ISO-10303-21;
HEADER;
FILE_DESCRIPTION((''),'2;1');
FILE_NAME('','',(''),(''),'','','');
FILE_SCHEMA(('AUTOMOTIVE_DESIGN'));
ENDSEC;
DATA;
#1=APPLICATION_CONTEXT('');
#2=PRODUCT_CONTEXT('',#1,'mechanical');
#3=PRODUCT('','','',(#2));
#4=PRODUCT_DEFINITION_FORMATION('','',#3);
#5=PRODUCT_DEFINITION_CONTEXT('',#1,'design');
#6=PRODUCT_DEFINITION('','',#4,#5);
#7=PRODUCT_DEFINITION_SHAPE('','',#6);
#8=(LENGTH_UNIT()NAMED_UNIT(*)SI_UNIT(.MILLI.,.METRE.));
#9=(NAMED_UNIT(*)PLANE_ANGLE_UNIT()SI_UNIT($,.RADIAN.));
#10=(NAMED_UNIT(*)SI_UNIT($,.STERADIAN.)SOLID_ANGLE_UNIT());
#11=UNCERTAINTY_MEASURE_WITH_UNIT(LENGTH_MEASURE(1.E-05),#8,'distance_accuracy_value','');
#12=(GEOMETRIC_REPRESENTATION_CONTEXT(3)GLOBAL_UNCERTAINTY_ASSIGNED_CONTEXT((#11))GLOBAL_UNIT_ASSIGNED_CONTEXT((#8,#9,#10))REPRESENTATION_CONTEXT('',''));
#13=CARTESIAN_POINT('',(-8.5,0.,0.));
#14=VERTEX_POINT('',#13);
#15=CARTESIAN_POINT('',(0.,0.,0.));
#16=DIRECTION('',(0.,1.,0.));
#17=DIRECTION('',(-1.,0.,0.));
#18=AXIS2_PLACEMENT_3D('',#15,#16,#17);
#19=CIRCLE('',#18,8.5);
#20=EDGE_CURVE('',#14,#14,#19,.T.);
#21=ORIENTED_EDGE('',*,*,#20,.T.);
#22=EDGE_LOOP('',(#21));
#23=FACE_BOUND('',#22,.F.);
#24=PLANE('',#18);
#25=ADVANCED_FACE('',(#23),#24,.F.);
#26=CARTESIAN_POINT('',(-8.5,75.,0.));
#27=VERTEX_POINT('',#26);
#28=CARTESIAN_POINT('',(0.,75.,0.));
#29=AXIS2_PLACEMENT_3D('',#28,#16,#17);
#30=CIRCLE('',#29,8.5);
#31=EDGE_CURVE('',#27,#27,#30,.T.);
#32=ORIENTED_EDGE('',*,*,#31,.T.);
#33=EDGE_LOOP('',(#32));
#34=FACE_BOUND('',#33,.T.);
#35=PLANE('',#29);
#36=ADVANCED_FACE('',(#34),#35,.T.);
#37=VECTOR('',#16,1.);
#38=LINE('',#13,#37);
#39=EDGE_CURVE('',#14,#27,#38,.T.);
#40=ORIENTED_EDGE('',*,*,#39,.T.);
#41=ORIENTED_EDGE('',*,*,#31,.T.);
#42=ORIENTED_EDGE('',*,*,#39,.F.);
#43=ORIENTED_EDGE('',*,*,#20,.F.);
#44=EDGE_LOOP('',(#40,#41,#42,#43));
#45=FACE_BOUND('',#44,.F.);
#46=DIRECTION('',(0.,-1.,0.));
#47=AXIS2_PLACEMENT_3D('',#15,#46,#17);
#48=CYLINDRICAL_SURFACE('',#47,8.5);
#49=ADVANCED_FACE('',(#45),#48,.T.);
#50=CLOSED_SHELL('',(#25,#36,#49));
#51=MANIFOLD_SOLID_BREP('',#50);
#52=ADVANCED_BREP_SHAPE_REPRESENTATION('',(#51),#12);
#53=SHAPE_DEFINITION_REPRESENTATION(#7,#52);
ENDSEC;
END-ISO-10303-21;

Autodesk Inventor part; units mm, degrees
ref_plane "YZ Plane" through (0, 0, 0) normal (1, 0, 0) x (0, 1, 0)
ref_plane "XZ Plane" through (0, 0, 0) normal (0, 1, 0) x (-1, 0, 0)
ref_plane "XY Plane" through (0, 0, 0) normal (0, 0, 1) x (1, 0, 0)
sketch "Boceto1" plane through (0, 0, 0) normal (0, 1, 0) x (-1, 0, 0)
  circle A0 centre (0, 0) radius 8.5
  dimension "d0" = 17
extrude "Extrusión1" add sketch "Boceto1" along normal blind 75
properties part number "04_10_Birlo" material "Acero ASTM A36"
